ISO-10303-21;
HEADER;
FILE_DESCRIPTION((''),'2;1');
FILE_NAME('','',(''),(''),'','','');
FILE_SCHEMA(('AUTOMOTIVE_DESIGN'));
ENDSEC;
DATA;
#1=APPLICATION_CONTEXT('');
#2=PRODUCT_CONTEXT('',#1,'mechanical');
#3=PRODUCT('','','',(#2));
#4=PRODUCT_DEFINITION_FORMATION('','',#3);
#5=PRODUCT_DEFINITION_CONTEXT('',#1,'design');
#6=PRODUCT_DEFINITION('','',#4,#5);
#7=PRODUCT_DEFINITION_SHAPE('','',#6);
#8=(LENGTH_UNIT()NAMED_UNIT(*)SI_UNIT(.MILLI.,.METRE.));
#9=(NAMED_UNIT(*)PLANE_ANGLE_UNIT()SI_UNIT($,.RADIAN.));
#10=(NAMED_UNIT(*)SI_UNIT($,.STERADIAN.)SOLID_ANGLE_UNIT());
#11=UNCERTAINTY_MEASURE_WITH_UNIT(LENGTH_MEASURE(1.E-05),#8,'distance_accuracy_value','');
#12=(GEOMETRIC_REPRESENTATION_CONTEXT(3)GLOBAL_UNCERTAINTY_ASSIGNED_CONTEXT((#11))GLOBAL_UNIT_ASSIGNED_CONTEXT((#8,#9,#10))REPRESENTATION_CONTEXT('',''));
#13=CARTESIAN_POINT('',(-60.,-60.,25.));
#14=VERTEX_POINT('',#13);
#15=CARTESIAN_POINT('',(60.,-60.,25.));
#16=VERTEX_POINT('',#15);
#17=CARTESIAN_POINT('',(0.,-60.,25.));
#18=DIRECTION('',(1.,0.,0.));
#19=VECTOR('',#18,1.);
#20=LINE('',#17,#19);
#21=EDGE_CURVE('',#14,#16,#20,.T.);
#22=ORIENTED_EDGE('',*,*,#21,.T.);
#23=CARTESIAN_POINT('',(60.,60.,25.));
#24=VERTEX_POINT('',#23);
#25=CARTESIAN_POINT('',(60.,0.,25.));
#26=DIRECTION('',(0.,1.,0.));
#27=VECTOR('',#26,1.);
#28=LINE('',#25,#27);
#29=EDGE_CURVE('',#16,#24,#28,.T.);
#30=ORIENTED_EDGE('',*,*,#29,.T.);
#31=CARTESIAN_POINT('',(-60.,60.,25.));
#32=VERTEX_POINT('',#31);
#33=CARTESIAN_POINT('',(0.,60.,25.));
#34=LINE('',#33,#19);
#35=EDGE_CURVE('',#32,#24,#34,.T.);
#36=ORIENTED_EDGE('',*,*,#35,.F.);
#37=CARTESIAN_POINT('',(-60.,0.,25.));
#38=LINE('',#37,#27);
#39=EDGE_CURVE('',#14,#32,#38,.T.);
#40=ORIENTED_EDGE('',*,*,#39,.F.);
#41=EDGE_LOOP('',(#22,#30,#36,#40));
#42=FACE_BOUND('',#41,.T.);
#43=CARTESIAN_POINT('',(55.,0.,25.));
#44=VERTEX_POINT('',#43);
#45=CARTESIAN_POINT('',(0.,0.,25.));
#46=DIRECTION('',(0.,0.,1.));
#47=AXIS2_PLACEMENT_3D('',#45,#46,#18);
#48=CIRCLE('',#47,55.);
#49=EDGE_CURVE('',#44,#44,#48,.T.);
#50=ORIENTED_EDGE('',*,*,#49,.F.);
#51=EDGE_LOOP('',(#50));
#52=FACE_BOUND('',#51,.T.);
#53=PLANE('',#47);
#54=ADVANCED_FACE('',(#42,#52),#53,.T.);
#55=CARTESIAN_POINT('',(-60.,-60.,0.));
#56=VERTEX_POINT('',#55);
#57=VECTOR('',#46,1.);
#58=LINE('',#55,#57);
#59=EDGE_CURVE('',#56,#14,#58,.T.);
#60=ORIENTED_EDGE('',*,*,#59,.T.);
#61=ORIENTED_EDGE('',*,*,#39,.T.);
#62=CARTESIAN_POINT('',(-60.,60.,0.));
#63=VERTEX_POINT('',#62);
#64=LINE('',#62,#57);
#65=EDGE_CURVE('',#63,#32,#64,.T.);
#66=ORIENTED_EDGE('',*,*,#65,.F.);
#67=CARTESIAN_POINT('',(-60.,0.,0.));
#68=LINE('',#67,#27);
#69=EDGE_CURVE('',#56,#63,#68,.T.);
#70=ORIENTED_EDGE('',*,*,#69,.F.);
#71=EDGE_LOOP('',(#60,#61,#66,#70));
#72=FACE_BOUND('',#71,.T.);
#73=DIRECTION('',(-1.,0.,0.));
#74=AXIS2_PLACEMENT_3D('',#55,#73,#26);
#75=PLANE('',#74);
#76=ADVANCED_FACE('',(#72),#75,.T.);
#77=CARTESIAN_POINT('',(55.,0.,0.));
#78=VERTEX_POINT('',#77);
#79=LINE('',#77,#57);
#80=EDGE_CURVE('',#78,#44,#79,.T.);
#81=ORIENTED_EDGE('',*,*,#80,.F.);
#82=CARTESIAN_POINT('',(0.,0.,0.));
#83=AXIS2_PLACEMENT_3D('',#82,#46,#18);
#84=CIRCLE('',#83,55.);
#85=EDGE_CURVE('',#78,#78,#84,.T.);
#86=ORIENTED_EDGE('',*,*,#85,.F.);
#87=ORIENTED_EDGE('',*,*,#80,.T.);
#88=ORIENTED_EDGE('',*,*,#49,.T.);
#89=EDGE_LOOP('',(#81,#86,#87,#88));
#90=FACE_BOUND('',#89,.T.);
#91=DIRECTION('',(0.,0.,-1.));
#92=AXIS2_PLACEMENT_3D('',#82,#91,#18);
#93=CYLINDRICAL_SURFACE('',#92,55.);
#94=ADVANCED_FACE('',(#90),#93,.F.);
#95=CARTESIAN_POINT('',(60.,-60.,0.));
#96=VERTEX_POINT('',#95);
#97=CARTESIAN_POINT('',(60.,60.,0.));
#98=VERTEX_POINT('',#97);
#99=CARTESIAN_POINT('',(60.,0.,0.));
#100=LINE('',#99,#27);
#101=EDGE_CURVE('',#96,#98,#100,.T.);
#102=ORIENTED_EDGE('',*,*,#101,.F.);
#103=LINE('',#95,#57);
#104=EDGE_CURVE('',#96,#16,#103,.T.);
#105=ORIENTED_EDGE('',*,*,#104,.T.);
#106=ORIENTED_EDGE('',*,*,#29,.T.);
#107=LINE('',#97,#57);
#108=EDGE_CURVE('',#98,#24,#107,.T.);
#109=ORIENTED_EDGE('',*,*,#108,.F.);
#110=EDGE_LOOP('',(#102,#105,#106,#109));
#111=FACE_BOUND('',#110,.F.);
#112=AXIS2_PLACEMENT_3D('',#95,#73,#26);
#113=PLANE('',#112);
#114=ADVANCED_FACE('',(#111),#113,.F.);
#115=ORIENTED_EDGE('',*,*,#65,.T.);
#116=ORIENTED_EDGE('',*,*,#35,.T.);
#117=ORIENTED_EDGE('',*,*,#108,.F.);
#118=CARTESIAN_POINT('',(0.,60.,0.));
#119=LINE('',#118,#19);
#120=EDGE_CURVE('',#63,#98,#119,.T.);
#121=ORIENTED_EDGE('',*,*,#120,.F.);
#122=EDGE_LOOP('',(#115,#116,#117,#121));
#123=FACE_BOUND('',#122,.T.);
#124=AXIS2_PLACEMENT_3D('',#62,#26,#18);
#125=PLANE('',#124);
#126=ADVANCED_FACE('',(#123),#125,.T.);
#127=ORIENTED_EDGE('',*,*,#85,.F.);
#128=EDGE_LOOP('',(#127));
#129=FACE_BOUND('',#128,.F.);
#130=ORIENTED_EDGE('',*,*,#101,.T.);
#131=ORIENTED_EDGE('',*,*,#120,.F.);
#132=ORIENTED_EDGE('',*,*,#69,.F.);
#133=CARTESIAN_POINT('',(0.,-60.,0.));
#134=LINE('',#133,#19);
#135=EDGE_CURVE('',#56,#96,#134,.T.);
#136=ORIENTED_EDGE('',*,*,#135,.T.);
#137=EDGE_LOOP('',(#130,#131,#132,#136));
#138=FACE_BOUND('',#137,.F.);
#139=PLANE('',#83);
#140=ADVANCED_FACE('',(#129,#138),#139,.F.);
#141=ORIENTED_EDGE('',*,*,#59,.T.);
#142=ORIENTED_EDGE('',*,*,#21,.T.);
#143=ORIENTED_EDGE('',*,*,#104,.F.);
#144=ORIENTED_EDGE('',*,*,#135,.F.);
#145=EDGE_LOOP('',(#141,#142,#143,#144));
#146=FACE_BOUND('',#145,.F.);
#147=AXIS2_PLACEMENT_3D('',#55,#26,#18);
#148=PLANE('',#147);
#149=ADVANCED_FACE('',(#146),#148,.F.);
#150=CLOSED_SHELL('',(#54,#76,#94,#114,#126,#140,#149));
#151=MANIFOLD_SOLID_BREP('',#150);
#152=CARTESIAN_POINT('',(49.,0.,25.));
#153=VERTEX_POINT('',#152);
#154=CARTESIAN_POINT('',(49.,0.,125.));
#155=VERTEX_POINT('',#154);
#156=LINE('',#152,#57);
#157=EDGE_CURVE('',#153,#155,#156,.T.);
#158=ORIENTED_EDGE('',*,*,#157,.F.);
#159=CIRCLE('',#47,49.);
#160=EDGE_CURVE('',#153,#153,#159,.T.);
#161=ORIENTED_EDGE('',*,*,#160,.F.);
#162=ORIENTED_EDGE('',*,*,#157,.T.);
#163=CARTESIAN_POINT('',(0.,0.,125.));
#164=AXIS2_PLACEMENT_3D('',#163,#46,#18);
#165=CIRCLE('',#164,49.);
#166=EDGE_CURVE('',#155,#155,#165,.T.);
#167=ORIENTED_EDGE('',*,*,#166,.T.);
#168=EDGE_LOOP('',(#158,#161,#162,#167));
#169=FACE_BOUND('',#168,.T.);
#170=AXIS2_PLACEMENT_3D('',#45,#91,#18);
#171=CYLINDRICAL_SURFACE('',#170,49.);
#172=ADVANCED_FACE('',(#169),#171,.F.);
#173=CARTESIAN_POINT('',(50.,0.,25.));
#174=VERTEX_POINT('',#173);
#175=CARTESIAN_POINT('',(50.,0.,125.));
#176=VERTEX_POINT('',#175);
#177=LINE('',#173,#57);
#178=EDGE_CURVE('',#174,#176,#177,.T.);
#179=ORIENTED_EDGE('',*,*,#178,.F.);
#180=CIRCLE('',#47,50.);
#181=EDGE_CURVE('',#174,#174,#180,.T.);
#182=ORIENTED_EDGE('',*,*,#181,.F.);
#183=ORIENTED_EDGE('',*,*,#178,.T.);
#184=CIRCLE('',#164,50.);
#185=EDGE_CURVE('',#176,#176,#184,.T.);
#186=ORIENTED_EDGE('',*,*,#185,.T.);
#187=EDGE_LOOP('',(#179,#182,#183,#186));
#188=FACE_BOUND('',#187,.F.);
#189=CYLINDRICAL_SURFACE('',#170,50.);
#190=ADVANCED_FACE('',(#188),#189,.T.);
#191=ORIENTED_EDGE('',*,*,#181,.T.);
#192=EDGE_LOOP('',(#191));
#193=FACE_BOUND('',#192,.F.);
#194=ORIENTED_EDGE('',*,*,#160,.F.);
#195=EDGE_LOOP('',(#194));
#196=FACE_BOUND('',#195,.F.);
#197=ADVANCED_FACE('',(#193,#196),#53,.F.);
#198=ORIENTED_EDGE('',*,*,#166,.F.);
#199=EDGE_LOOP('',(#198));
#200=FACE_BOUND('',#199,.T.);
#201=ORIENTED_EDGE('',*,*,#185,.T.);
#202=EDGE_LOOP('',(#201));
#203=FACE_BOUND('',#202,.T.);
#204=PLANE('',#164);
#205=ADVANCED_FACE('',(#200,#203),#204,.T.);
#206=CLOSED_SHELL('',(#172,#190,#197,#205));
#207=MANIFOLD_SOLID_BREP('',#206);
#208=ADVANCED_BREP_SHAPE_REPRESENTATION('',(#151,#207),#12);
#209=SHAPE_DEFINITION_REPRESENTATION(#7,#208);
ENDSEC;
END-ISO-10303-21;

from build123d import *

# Parameters (mm, degrees)
F0_W     = 120
F0_H     = 120
F0_R     = 55
F1_DEPTH = 25
F2_R     = 50
F2_R_2   = 49
F3_DEPTH = 100


with BuildPart() as f1:
    # F0 (on Top) → F1 (new body)
    with BuildSketch(Plane.XY):
        Rectangle(F0_W, F0_H)
        Circle(F0_R, mode=Mode.SUBTRACT)
    extrude(amount=F1_DEPTH)


with BuildPart() as f3:
    # F2 (on face) → F3 (new body)
    with BuildSketch(Plane.XY.offset(25)):
        Circle(F2_R)
        Circle(F2_R_2, mode=Mode.SUBTRACT)
    extrude(amount=F3_DEPTH)


solid = Compound([f1.part, f3.part])
